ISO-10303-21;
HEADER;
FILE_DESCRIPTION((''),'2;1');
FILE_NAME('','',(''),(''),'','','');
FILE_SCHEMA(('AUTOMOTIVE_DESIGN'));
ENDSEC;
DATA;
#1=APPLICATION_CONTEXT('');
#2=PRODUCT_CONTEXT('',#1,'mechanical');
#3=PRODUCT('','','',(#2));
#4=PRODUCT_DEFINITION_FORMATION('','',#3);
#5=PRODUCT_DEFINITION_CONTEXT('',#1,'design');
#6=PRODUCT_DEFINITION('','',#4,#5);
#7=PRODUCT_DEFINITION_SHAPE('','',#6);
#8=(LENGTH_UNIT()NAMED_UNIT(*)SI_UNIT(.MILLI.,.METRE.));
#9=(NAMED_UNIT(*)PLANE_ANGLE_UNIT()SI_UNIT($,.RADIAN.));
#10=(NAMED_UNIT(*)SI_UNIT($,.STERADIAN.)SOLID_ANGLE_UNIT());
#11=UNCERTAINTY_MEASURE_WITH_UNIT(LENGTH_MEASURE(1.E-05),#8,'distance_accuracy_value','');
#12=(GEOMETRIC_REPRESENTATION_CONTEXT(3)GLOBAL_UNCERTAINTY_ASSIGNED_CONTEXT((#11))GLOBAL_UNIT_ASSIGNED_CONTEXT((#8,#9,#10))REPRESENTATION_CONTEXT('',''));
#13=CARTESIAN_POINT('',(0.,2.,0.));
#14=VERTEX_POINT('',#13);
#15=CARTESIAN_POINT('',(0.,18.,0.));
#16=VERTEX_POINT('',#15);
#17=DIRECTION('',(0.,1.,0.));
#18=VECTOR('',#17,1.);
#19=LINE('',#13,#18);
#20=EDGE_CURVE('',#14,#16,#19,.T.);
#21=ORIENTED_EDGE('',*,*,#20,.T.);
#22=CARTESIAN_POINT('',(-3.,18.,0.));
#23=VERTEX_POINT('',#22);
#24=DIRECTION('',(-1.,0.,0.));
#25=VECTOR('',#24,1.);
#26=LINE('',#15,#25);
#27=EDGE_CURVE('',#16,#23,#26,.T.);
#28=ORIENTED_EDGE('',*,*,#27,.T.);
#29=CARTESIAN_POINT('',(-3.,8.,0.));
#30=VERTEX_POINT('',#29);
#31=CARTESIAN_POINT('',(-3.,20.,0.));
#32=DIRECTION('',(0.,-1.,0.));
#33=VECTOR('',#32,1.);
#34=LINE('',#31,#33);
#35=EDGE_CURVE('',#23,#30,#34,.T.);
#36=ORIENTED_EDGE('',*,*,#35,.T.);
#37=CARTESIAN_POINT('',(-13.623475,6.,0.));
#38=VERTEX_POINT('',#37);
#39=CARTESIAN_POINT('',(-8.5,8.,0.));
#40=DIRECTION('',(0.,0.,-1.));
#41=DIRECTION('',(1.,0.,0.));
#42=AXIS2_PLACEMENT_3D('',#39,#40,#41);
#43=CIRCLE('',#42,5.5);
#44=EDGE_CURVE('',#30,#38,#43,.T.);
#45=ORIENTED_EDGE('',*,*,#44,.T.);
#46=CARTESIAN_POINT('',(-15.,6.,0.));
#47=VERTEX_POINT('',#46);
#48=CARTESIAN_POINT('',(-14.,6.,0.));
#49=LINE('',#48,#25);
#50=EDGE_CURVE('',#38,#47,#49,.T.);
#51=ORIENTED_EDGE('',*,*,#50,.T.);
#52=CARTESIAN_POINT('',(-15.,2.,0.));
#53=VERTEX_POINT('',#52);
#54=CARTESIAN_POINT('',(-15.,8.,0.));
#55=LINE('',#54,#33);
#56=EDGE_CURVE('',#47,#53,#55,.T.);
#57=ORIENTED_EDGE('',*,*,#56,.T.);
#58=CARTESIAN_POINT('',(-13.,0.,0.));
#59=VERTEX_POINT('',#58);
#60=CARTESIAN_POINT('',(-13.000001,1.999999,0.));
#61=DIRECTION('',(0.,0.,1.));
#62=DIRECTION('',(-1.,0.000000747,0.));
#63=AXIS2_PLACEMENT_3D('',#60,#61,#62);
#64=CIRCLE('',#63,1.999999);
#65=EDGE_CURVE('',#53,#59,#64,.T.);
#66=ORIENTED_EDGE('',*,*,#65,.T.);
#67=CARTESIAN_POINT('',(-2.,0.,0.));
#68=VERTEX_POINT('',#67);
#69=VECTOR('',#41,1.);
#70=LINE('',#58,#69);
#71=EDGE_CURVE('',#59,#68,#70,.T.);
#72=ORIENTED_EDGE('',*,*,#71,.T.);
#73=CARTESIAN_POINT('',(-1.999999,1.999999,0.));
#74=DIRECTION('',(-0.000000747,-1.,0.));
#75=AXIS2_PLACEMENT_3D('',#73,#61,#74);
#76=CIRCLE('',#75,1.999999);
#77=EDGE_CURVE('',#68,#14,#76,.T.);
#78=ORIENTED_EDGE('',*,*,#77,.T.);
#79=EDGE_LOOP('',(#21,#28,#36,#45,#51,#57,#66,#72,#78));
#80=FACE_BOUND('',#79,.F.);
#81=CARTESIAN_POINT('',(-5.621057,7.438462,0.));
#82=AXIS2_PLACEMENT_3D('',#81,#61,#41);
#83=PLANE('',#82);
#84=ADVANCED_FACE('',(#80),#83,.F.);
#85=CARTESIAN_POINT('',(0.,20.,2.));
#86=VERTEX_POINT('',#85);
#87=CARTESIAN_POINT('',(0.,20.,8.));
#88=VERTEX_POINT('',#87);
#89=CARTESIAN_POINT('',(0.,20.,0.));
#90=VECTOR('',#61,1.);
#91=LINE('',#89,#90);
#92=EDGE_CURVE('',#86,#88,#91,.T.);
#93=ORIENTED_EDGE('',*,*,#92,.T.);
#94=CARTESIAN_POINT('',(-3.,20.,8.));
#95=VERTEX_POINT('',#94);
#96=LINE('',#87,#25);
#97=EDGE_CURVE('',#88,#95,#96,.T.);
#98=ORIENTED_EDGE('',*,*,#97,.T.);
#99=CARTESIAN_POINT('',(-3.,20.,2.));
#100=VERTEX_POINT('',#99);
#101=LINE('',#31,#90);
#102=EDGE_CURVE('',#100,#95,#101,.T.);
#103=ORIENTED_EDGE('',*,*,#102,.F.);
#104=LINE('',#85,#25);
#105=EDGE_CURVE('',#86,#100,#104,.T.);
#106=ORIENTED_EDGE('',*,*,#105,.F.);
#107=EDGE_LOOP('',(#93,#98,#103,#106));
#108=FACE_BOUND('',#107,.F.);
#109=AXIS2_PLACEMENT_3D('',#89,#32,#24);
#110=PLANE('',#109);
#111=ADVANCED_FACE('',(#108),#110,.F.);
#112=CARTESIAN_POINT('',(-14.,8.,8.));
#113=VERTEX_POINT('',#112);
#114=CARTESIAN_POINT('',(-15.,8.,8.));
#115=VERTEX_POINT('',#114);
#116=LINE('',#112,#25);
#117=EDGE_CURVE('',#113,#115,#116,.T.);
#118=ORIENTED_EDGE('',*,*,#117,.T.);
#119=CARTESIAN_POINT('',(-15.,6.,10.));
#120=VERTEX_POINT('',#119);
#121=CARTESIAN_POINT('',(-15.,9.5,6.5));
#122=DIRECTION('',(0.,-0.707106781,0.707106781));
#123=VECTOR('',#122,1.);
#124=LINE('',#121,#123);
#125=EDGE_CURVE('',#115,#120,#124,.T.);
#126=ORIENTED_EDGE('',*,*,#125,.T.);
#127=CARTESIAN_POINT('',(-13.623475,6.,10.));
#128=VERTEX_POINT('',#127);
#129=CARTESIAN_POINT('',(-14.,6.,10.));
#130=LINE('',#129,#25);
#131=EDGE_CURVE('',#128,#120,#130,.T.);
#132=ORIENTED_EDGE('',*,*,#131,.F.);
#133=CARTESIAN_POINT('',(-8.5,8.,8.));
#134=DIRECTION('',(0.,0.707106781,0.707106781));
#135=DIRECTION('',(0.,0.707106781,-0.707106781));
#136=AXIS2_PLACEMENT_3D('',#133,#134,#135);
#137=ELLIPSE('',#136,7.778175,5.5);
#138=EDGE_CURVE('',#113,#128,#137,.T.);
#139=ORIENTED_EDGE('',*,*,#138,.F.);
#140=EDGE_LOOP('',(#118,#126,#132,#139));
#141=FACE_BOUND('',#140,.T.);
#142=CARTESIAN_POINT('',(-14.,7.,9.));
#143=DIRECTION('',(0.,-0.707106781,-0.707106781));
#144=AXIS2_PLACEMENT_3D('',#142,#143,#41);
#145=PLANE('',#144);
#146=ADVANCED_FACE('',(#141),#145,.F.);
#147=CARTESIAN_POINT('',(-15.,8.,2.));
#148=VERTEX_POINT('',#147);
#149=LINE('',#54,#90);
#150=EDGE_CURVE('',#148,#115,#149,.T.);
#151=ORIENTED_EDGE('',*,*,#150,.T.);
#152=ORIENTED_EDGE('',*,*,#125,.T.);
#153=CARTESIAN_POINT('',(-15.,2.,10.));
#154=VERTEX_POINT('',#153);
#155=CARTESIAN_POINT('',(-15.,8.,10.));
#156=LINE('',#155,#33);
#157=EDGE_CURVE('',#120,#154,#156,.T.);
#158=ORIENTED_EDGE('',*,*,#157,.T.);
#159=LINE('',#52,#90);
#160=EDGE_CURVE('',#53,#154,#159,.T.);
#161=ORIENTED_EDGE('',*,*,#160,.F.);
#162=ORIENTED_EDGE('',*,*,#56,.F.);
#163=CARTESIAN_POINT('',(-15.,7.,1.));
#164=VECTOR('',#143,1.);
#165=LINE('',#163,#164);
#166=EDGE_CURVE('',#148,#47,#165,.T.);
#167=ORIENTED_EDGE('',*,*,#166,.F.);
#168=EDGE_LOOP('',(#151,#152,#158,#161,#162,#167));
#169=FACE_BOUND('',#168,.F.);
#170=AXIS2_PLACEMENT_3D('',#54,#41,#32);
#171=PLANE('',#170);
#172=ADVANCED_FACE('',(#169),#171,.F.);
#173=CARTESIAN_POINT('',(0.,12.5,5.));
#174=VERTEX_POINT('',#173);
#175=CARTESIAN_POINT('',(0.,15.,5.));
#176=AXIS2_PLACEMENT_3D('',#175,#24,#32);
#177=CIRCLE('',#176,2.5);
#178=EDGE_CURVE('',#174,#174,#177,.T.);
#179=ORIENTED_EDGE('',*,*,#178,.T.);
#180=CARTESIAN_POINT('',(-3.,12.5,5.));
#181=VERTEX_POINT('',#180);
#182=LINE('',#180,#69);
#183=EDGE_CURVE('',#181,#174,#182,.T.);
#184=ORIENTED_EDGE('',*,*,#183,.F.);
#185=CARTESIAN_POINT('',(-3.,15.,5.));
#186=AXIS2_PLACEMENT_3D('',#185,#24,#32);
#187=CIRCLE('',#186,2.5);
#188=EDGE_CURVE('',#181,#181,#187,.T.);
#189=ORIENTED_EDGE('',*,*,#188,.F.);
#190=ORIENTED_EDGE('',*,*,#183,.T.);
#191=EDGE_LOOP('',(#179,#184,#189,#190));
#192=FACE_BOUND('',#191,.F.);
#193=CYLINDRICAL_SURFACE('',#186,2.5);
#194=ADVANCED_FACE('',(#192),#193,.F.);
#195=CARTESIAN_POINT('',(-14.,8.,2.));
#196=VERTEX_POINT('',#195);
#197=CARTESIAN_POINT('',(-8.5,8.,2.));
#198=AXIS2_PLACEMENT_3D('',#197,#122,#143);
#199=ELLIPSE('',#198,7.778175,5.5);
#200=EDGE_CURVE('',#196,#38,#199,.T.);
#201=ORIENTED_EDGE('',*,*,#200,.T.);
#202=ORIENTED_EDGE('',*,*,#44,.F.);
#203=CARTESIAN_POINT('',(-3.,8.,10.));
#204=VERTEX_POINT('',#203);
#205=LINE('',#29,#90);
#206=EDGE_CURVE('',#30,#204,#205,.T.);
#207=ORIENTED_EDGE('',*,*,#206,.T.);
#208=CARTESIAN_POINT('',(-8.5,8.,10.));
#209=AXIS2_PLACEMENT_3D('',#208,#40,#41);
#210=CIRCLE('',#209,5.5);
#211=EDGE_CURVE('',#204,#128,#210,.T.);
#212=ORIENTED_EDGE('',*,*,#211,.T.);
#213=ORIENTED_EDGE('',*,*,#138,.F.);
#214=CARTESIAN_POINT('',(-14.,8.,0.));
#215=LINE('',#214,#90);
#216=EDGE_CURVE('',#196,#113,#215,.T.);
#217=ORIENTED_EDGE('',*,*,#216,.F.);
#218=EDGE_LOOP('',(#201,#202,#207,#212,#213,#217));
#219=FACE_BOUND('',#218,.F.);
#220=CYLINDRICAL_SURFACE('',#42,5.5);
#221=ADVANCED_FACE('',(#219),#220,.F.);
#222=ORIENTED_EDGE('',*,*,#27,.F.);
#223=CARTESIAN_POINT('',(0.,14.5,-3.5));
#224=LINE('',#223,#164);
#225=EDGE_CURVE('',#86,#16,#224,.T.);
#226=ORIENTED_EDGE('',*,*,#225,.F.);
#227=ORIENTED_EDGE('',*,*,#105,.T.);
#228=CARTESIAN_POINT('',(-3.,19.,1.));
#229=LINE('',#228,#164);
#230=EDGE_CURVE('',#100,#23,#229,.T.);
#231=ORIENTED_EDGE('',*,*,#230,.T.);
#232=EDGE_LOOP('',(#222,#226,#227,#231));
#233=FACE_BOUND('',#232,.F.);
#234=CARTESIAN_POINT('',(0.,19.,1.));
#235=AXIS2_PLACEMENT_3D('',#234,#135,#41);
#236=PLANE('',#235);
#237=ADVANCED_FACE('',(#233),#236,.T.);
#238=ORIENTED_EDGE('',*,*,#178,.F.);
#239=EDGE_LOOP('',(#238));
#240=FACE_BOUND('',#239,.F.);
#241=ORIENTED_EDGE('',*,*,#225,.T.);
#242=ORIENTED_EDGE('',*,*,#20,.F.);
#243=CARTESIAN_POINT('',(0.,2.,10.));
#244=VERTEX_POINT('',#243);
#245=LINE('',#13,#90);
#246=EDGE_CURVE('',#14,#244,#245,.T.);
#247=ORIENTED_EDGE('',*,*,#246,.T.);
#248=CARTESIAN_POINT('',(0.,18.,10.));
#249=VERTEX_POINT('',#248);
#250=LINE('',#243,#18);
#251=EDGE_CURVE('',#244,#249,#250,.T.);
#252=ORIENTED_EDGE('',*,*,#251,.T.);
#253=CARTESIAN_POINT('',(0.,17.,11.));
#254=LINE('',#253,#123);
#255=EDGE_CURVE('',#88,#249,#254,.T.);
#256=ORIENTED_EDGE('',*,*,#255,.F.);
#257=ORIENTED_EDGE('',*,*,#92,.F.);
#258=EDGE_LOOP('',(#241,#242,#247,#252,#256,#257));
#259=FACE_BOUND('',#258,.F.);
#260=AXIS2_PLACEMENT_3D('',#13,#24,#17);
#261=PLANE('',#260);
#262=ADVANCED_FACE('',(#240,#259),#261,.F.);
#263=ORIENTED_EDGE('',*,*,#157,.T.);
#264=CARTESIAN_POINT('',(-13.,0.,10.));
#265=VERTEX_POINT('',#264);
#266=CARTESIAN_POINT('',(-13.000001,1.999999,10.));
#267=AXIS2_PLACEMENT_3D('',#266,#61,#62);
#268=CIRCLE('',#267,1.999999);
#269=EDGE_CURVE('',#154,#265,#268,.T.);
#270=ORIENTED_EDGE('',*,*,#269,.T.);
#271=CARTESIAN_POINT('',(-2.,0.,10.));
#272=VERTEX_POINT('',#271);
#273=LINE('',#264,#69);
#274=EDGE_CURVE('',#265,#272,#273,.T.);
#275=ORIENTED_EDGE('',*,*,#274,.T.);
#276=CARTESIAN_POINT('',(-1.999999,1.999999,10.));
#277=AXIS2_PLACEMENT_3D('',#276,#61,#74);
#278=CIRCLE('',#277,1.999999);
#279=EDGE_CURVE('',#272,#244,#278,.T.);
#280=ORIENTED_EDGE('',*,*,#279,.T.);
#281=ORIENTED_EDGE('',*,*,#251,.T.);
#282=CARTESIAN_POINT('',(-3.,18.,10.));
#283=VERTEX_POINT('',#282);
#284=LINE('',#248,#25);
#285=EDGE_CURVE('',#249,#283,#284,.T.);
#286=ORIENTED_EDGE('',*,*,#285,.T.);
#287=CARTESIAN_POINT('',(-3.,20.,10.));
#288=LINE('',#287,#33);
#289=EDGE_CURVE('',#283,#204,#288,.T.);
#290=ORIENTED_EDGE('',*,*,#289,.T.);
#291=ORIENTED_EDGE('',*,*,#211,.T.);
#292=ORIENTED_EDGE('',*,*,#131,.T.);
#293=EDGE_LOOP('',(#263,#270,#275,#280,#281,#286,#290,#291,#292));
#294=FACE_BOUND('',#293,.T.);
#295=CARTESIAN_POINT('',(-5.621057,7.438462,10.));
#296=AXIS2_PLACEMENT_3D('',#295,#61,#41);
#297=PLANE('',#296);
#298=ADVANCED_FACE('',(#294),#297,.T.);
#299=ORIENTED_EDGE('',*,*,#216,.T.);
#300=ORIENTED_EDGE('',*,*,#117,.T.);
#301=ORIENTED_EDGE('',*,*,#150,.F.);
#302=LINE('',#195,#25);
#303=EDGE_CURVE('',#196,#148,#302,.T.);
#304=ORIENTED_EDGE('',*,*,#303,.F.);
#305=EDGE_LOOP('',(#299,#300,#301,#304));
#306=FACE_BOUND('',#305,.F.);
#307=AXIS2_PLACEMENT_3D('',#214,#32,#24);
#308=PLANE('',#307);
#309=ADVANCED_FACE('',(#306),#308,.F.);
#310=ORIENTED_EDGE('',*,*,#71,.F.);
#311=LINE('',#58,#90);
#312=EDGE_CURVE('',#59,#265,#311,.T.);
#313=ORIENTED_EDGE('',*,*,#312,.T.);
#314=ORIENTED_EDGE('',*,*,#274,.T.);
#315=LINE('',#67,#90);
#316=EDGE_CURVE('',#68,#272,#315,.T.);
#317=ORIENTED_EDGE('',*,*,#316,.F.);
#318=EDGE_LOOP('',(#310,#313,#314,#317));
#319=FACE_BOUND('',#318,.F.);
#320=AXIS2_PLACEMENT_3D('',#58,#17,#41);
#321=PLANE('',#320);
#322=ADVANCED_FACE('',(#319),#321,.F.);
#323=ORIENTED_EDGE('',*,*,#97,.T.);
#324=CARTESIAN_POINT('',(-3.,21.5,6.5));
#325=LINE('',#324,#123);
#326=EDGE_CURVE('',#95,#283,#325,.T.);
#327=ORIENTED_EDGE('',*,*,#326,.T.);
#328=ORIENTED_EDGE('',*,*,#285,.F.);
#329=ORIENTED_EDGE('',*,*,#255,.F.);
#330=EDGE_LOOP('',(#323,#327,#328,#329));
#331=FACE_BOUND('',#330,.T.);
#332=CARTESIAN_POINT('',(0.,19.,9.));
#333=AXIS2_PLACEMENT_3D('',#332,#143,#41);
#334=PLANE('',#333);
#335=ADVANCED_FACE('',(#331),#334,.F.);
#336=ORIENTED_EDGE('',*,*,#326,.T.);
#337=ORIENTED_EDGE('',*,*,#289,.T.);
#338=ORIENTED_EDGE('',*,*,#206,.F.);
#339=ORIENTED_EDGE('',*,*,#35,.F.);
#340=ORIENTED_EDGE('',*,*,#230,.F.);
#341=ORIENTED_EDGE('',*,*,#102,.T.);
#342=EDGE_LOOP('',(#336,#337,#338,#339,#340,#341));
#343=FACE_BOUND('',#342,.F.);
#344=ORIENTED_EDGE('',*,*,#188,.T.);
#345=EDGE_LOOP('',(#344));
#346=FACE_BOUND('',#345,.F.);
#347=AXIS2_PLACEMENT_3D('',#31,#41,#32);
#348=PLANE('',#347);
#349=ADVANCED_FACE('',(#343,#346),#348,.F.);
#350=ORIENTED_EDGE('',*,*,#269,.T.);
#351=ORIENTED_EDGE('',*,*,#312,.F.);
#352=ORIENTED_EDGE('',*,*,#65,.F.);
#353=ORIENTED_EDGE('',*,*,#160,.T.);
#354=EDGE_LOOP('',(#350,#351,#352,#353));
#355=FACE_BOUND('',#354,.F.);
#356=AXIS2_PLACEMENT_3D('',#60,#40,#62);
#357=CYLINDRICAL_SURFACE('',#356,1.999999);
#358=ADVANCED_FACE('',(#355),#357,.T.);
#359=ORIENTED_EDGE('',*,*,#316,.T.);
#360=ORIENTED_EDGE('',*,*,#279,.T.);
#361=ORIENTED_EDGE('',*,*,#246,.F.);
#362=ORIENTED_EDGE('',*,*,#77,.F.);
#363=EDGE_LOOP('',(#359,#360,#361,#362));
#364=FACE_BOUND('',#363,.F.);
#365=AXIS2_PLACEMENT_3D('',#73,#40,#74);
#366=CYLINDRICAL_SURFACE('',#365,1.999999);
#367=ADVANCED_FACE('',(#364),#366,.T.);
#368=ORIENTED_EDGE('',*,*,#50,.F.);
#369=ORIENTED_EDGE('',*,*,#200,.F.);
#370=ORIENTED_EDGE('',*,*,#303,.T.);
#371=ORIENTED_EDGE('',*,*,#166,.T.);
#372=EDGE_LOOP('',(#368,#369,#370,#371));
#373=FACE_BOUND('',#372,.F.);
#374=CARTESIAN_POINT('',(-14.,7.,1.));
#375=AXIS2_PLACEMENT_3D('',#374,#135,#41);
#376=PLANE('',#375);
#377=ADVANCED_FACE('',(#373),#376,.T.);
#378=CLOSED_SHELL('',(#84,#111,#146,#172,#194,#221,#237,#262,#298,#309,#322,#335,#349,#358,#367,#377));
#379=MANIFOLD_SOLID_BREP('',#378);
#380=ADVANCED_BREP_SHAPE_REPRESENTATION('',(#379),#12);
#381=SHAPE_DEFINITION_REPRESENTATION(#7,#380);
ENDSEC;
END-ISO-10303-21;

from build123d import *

# Parameters (mm, degrees)
F1_DEPTH = 10
F2_SIZE  = 2
F3_R     = 2.5
F4_DEPTH = 25


with BuildPart() as f1:
    # F0 (on Top) → F1 (new body)
    with BuildSketch(Plane.XY):
        with BuildLine():
            ThreePointArc((-2, 0), (-0.585786, 0.585786), (0, 2))
            Line((0, 2), (0, 20))
            Line((0, 20), (-3, 20))
            Line((-3, 20), (-3, 8))
            ThreePointArc((-3, 8), (-8.5, 2.5), (-14, 8))
            Line((-14, 8), (-15, 8))
            Line((-15, 8), (-15, 2))
            ThreePointArc((-15, 2), (-14.414214, 0.585786), (-13, 0))
            Line((-13, 0), (-2, 0))
        make_face()
    extrude(amount=F1_DEPTH)

    # F2
    f2_edges = [f1.edges().sort_by_distance(p)[0] for p in [
        (-14.5, 8, 10),
        (-14.5, 8, 0),
        (-1.5, 20, 0),
        (-1.5, 20, 10),
    ]]
    chamfer(f2_edges, length=F2_SIZE)

    # F3 (on face) → F4 (cut)
    with BuildSketch(Plane(origin=(-3, 0, 0), x_dir=(0, -1, 0), z_dir=(-1, 0, 0))):
        with Locations((-15, 5)):
            Circle(F3_R)
    extrude(amount=-F4_DEPTH, mode=Mode.SUBTRACT)


solid = f1.part
